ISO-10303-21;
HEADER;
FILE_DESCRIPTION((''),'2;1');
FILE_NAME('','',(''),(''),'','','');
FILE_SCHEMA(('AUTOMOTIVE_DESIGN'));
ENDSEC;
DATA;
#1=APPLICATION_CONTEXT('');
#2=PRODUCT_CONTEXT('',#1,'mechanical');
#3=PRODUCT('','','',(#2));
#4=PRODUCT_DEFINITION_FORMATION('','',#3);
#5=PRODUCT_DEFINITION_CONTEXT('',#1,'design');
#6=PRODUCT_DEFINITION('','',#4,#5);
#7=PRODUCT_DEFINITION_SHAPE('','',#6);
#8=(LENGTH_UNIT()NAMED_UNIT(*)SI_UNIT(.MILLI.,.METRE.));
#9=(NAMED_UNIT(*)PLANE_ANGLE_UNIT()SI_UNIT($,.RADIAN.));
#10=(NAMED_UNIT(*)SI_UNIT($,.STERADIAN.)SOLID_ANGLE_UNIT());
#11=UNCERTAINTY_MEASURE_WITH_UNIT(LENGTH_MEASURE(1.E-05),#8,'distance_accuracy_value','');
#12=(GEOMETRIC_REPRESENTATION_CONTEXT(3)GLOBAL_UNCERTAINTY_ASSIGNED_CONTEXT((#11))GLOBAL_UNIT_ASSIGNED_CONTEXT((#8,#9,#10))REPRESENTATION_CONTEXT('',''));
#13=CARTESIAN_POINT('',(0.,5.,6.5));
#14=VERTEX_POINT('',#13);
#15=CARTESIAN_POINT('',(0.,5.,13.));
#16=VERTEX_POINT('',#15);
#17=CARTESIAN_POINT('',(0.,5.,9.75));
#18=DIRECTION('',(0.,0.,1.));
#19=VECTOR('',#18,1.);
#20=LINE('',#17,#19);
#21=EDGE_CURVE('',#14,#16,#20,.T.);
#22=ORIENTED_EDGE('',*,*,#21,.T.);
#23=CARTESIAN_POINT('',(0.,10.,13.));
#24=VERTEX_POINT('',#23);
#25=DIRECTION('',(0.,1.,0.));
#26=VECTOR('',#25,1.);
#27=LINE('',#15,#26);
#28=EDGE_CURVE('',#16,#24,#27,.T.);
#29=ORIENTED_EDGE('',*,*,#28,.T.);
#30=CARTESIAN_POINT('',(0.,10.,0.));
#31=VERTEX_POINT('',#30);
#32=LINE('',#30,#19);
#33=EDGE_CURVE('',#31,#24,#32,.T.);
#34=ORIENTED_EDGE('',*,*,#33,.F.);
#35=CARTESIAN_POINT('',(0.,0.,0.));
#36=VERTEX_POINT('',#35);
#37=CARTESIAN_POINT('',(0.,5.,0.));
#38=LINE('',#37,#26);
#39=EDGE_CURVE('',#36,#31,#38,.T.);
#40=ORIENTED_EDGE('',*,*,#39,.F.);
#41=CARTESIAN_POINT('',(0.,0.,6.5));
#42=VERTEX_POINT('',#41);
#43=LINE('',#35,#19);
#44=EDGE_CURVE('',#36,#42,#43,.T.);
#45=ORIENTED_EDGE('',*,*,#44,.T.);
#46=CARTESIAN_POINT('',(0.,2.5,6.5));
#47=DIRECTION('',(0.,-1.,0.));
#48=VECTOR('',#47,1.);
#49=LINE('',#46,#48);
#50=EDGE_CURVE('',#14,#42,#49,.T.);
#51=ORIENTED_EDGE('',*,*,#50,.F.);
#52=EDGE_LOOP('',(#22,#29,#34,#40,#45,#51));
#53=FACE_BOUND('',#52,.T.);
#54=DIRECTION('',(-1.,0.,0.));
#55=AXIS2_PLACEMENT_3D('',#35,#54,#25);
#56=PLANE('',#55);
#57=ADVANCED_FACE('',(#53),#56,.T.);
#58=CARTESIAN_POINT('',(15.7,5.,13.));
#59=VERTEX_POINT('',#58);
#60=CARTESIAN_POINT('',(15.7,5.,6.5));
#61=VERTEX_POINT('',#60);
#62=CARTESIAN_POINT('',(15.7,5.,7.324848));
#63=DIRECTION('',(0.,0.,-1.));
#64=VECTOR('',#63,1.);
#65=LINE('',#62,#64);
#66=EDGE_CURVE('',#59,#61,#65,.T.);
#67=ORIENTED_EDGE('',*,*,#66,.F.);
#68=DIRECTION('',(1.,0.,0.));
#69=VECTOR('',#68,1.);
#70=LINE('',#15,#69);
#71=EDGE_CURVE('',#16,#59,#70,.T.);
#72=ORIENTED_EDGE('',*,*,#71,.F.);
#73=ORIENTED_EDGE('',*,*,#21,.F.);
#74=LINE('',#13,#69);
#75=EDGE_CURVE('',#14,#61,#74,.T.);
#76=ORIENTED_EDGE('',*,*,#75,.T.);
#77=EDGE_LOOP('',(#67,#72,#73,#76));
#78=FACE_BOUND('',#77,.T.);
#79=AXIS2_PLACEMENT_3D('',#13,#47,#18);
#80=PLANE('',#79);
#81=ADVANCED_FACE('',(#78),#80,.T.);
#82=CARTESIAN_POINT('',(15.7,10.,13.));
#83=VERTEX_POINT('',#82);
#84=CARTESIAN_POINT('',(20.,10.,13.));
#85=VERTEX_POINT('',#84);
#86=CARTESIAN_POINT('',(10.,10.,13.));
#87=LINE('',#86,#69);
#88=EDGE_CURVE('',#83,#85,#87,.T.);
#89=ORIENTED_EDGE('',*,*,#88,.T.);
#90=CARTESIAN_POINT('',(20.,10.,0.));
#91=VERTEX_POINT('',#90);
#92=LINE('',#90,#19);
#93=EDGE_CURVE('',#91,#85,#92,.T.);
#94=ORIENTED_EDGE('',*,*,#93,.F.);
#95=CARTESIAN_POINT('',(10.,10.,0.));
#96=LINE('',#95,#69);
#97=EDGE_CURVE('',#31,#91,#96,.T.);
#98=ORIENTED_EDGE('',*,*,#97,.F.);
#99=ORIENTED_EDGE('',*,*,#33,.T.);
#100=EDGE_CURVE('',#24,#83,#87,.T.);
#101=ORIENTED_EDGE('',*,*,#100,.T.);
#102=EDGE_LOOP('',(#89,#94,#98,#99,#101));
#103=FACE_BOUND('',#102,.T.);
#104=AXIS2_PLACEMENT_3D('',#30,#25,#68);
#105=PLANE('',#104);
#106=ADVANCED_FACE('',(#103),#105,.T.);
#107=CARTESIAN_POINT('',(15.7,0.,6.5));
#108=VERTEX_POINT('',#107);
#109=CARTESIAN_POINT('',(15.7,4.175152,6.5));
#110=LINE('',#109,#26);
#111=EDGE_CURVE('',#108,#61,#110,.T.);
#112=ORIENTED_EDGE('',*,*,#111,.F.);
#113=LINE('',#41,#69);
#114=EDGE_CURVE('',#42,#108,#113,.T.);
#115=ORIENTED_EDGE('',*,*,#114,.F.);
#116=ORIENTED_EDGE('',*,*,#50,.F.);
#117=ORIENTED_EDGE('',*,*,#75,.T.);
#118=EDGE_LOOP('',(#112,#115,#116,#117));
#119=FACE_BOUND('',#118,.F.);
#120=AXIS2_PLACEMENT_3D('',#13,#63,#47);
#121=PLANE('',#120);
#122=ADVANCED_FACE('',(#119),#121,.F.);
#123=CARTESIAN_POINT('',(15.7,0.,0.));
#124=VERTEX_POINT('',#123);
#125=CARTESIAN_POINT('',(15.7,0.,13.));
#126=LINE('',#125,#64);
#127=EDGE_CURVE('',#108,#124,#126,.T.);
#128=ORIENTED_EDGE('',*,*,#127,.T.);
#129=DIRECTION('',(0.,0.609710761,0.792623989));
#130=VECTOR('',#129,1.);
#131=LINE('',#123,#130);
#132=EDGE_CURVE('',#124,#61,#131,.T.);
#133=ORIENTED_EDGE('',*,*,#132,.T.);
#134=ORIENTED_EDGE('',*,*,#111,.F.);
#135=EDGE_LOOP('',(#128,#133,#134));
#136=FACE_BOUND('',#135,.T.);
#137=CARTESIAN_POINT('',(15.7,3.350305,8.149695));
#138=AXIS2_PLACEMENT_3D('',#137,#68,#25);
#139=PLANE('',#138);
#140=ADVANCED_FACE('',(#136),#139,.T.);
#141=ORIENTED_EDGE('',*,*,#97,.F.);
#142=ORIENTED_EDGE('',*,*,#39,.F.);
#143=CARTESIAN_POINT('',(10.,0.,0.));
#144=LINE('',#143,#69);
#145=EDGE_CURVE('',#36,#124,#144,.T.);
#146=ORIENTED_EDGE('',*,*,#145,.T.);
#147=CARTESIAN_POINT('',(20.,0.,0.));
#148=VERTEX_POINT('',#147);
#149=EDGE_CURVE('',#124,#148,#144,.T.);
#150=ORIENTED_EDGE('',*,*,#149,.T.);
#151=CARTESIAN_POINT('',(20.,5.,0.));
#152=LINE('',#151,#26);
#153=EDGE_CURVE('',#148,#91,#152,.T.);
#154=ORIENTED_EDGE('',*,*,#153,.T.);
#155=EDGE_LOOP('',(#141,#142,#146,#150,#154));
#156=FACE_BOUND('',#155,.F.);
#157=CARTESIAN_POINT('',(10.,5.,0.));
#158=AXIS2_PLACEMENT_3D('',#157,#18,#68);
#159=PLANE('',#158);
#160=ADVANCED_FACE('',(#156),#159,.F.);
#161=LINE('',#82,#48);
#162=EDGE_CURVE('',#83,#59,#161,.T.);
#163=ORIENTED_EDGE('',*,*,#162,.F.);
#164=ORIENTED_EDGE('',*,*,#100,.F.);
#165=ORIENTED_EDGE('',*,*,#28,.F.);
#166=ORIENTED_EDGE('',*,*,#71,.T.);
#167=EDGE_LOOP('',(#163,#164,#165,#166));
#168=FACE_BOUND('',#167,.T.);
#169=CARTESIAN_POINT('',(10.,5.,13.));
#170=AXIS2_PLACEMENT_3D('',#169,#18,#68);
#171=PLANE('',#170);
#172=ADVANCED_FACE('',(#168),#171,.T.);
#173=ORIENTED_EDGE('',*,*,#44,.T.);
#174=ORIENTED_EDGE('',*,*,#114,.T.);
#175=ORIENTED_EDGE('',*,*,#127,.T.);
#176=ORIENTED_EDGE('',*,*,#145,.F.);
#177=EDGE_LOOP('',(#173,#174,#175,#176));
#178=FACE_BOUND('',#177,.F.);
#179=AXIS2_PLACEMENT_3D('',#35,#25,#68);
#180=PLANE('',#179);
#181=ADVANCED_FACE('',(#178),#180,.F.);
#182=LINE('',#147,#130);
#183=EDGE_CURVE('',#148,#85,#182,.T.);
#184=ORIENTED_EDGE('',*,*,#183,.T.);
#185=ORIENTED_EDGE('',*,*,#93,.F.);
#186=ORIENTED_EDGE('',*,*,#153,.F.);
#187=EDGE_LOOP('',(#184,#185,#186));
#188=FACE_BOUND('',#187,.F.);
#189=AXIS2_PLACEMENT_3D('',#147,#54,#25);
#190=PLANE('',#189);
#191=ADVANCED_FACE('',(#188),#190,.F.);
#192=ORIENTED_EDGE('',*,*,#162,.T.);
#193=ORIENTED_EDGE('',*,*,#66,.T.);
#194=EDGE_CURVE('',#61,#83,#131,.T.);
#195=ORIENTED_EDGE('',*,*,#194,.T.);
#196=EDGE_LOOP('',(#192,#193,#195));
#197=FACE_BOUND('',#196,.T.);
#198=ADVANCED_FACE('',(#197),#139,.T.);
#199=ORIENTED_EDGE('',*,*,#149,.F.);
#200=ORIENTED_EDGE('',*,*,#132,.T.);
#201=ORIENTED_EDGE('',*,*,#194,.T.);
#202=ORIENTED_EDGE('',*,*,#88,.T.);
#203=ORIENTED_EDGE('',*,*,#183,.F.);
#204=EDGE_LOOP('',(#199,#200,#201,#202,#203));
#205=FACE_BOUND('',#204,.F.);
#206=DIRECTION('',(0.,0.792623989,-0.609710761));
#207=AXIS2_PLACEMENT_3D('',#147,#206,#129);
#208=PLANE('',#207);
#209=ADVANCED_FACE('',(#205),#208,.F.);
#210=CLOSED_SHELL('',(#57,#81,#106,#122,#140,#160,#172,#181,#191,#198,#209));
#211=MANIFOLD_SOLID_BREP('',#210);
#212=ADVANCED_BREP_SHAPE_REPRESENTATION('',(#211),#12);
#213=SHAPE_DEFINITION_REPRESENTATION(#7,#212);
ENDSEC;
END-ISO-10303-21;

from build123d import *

# Parameters (mm, degrees)
F0_W     = 20
F0_H     = 10
F1_DEPTH = 13
F3_DEPTH = 4.3
F4_W     = 5
F4_H     = 6.5
F5_DEPTH = 15.8


with BuildPart() as f1:
    # F0 (on Top) → F1 (new body)
    with BuildSketch(Plane.XY):
        with Locations((10, 5)):
            Rectangle(F0_W, F0_H)
    extrude(amount=F1_DEPTH)

    # F2 (on face) → F3 (cut)
    with BuildSketch(Plane.YZ.offset(20)):
        Polygon((0, 13), (0, 0), (10, 13), align=None)
    extrude(amount=-F3_DEPTH, mode=Mode.SUBTRACT)

    # F4 (on face) → F5 (cut)
    with BuildSketch(Plane(origin=(0, 0, 0), x_dir=(0, -1, 0), z_dir=(-1, 0, 0))):
        with Locations((-2.5, 9.75)):
            Rectangle(F4_W, F4_H)
    extrude(amount=-F5_DEPTH, mode=Mode.SUBTRACT)


solid = f1.part
